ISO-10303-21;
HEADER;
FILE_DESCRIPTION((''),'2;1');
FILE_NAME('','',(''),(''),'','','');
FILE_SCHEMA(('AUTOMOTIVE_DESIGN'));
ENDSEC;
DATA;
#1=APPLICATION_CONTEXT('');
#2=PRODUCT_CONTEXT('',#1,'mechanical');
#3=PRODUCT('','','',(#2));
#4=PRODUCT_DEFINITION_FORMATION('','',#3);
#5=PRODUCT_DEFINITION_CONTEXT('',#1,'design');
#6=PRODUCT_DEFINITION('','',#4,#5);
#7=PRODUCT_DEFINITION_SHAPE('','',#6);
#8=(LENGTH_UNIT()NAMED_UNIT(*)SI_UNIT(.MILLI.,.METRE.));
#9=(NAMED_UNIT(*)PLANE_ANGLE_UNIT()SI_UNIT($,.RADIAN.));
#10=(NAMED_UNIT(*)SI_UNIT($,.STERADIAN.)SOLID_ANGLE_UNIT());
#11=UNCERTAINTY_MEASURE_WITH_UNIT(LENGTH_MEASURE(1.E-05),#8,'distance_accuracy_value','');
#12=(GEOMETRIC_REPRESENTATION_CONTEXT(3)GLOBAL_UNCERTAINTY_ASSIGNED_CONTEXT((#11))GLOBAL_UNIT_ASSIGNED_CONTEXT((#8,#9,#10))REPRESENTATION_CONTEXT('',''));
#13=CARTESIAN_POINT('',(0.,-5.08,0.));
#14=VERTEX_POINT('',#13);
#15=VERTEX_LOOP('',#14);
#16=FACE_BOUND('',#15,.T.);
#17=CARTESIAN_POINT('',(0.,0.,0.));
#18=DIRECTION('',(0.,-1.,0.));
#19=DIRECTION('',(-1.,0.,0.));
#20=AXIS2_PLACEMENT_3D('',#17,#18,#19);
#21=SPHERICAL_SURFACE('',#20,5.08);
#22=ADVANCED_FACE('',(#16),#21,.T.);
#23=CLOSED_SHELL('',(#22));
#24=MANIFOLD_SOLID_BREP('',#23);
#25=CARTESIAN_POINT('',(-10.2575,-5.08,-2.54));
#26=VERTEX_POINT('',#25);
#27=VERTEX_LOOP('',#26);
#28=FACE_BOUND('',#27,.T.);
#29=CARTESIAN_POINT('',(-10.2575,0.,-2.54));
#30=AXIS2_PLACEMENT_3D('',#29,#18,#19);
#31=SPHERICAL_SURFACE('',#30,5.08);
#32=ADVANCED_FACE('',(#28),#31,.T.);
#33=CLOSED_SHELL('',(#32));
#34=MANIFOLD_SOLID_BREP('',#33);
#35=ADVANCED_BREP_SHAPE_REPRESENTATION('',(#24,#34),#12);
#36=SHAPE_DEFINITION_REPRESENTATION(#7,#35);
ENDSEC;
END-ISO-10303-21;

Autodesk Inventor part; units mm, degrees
ref_plane "YZ Plane" through (0, 0, 0) normal (1, 0, 0) x (0, 1, 0)
ref_plane "XZ Plane" through (0, 0, 0) normal (0, 1, 0) x (-1, 0, 0)
sketch "Sketch1" plane through (0, 0, 0) normal (0, 0, 1) x (1, 0, 0)
  circle A0 centre (0, 0) radius 5.08
  line L0 (0, 5.08) -> (0, -5.08)
  dimension "d0" = 10.16
revolve "Revolution1" add sketch "Sketch1" angle 360 about axis through (0, 5.08, 0) along (0, -1, 0) picked at (-0.7869, -1.4994) contours L0 A0
ref_plane "Work Plane1" through (0, 0, -2.54) normal (0, 0, 1) x (1, 0, 0)
sketch "Sketch2" plane through (0, 0, -2.54) normal (0, 0, 1) x (1, 0, 0)
  circle A0 centre (-10.2575, 0) radius 5.08
  line L0 (-10.2575, 5.08) -> (-10.2575, -5.08)
  point P0 (0, 0)
  dimension "d3" = 10.16
revolve "Revolution2" add sketch "Sketch2" angle 360 about axis through (-10.2575, 5.08, -2.54) along (0, -1, 0) picked at (-11.9385, 0.2041) contours L0 A0
properties part number "Cherry_fruit"
